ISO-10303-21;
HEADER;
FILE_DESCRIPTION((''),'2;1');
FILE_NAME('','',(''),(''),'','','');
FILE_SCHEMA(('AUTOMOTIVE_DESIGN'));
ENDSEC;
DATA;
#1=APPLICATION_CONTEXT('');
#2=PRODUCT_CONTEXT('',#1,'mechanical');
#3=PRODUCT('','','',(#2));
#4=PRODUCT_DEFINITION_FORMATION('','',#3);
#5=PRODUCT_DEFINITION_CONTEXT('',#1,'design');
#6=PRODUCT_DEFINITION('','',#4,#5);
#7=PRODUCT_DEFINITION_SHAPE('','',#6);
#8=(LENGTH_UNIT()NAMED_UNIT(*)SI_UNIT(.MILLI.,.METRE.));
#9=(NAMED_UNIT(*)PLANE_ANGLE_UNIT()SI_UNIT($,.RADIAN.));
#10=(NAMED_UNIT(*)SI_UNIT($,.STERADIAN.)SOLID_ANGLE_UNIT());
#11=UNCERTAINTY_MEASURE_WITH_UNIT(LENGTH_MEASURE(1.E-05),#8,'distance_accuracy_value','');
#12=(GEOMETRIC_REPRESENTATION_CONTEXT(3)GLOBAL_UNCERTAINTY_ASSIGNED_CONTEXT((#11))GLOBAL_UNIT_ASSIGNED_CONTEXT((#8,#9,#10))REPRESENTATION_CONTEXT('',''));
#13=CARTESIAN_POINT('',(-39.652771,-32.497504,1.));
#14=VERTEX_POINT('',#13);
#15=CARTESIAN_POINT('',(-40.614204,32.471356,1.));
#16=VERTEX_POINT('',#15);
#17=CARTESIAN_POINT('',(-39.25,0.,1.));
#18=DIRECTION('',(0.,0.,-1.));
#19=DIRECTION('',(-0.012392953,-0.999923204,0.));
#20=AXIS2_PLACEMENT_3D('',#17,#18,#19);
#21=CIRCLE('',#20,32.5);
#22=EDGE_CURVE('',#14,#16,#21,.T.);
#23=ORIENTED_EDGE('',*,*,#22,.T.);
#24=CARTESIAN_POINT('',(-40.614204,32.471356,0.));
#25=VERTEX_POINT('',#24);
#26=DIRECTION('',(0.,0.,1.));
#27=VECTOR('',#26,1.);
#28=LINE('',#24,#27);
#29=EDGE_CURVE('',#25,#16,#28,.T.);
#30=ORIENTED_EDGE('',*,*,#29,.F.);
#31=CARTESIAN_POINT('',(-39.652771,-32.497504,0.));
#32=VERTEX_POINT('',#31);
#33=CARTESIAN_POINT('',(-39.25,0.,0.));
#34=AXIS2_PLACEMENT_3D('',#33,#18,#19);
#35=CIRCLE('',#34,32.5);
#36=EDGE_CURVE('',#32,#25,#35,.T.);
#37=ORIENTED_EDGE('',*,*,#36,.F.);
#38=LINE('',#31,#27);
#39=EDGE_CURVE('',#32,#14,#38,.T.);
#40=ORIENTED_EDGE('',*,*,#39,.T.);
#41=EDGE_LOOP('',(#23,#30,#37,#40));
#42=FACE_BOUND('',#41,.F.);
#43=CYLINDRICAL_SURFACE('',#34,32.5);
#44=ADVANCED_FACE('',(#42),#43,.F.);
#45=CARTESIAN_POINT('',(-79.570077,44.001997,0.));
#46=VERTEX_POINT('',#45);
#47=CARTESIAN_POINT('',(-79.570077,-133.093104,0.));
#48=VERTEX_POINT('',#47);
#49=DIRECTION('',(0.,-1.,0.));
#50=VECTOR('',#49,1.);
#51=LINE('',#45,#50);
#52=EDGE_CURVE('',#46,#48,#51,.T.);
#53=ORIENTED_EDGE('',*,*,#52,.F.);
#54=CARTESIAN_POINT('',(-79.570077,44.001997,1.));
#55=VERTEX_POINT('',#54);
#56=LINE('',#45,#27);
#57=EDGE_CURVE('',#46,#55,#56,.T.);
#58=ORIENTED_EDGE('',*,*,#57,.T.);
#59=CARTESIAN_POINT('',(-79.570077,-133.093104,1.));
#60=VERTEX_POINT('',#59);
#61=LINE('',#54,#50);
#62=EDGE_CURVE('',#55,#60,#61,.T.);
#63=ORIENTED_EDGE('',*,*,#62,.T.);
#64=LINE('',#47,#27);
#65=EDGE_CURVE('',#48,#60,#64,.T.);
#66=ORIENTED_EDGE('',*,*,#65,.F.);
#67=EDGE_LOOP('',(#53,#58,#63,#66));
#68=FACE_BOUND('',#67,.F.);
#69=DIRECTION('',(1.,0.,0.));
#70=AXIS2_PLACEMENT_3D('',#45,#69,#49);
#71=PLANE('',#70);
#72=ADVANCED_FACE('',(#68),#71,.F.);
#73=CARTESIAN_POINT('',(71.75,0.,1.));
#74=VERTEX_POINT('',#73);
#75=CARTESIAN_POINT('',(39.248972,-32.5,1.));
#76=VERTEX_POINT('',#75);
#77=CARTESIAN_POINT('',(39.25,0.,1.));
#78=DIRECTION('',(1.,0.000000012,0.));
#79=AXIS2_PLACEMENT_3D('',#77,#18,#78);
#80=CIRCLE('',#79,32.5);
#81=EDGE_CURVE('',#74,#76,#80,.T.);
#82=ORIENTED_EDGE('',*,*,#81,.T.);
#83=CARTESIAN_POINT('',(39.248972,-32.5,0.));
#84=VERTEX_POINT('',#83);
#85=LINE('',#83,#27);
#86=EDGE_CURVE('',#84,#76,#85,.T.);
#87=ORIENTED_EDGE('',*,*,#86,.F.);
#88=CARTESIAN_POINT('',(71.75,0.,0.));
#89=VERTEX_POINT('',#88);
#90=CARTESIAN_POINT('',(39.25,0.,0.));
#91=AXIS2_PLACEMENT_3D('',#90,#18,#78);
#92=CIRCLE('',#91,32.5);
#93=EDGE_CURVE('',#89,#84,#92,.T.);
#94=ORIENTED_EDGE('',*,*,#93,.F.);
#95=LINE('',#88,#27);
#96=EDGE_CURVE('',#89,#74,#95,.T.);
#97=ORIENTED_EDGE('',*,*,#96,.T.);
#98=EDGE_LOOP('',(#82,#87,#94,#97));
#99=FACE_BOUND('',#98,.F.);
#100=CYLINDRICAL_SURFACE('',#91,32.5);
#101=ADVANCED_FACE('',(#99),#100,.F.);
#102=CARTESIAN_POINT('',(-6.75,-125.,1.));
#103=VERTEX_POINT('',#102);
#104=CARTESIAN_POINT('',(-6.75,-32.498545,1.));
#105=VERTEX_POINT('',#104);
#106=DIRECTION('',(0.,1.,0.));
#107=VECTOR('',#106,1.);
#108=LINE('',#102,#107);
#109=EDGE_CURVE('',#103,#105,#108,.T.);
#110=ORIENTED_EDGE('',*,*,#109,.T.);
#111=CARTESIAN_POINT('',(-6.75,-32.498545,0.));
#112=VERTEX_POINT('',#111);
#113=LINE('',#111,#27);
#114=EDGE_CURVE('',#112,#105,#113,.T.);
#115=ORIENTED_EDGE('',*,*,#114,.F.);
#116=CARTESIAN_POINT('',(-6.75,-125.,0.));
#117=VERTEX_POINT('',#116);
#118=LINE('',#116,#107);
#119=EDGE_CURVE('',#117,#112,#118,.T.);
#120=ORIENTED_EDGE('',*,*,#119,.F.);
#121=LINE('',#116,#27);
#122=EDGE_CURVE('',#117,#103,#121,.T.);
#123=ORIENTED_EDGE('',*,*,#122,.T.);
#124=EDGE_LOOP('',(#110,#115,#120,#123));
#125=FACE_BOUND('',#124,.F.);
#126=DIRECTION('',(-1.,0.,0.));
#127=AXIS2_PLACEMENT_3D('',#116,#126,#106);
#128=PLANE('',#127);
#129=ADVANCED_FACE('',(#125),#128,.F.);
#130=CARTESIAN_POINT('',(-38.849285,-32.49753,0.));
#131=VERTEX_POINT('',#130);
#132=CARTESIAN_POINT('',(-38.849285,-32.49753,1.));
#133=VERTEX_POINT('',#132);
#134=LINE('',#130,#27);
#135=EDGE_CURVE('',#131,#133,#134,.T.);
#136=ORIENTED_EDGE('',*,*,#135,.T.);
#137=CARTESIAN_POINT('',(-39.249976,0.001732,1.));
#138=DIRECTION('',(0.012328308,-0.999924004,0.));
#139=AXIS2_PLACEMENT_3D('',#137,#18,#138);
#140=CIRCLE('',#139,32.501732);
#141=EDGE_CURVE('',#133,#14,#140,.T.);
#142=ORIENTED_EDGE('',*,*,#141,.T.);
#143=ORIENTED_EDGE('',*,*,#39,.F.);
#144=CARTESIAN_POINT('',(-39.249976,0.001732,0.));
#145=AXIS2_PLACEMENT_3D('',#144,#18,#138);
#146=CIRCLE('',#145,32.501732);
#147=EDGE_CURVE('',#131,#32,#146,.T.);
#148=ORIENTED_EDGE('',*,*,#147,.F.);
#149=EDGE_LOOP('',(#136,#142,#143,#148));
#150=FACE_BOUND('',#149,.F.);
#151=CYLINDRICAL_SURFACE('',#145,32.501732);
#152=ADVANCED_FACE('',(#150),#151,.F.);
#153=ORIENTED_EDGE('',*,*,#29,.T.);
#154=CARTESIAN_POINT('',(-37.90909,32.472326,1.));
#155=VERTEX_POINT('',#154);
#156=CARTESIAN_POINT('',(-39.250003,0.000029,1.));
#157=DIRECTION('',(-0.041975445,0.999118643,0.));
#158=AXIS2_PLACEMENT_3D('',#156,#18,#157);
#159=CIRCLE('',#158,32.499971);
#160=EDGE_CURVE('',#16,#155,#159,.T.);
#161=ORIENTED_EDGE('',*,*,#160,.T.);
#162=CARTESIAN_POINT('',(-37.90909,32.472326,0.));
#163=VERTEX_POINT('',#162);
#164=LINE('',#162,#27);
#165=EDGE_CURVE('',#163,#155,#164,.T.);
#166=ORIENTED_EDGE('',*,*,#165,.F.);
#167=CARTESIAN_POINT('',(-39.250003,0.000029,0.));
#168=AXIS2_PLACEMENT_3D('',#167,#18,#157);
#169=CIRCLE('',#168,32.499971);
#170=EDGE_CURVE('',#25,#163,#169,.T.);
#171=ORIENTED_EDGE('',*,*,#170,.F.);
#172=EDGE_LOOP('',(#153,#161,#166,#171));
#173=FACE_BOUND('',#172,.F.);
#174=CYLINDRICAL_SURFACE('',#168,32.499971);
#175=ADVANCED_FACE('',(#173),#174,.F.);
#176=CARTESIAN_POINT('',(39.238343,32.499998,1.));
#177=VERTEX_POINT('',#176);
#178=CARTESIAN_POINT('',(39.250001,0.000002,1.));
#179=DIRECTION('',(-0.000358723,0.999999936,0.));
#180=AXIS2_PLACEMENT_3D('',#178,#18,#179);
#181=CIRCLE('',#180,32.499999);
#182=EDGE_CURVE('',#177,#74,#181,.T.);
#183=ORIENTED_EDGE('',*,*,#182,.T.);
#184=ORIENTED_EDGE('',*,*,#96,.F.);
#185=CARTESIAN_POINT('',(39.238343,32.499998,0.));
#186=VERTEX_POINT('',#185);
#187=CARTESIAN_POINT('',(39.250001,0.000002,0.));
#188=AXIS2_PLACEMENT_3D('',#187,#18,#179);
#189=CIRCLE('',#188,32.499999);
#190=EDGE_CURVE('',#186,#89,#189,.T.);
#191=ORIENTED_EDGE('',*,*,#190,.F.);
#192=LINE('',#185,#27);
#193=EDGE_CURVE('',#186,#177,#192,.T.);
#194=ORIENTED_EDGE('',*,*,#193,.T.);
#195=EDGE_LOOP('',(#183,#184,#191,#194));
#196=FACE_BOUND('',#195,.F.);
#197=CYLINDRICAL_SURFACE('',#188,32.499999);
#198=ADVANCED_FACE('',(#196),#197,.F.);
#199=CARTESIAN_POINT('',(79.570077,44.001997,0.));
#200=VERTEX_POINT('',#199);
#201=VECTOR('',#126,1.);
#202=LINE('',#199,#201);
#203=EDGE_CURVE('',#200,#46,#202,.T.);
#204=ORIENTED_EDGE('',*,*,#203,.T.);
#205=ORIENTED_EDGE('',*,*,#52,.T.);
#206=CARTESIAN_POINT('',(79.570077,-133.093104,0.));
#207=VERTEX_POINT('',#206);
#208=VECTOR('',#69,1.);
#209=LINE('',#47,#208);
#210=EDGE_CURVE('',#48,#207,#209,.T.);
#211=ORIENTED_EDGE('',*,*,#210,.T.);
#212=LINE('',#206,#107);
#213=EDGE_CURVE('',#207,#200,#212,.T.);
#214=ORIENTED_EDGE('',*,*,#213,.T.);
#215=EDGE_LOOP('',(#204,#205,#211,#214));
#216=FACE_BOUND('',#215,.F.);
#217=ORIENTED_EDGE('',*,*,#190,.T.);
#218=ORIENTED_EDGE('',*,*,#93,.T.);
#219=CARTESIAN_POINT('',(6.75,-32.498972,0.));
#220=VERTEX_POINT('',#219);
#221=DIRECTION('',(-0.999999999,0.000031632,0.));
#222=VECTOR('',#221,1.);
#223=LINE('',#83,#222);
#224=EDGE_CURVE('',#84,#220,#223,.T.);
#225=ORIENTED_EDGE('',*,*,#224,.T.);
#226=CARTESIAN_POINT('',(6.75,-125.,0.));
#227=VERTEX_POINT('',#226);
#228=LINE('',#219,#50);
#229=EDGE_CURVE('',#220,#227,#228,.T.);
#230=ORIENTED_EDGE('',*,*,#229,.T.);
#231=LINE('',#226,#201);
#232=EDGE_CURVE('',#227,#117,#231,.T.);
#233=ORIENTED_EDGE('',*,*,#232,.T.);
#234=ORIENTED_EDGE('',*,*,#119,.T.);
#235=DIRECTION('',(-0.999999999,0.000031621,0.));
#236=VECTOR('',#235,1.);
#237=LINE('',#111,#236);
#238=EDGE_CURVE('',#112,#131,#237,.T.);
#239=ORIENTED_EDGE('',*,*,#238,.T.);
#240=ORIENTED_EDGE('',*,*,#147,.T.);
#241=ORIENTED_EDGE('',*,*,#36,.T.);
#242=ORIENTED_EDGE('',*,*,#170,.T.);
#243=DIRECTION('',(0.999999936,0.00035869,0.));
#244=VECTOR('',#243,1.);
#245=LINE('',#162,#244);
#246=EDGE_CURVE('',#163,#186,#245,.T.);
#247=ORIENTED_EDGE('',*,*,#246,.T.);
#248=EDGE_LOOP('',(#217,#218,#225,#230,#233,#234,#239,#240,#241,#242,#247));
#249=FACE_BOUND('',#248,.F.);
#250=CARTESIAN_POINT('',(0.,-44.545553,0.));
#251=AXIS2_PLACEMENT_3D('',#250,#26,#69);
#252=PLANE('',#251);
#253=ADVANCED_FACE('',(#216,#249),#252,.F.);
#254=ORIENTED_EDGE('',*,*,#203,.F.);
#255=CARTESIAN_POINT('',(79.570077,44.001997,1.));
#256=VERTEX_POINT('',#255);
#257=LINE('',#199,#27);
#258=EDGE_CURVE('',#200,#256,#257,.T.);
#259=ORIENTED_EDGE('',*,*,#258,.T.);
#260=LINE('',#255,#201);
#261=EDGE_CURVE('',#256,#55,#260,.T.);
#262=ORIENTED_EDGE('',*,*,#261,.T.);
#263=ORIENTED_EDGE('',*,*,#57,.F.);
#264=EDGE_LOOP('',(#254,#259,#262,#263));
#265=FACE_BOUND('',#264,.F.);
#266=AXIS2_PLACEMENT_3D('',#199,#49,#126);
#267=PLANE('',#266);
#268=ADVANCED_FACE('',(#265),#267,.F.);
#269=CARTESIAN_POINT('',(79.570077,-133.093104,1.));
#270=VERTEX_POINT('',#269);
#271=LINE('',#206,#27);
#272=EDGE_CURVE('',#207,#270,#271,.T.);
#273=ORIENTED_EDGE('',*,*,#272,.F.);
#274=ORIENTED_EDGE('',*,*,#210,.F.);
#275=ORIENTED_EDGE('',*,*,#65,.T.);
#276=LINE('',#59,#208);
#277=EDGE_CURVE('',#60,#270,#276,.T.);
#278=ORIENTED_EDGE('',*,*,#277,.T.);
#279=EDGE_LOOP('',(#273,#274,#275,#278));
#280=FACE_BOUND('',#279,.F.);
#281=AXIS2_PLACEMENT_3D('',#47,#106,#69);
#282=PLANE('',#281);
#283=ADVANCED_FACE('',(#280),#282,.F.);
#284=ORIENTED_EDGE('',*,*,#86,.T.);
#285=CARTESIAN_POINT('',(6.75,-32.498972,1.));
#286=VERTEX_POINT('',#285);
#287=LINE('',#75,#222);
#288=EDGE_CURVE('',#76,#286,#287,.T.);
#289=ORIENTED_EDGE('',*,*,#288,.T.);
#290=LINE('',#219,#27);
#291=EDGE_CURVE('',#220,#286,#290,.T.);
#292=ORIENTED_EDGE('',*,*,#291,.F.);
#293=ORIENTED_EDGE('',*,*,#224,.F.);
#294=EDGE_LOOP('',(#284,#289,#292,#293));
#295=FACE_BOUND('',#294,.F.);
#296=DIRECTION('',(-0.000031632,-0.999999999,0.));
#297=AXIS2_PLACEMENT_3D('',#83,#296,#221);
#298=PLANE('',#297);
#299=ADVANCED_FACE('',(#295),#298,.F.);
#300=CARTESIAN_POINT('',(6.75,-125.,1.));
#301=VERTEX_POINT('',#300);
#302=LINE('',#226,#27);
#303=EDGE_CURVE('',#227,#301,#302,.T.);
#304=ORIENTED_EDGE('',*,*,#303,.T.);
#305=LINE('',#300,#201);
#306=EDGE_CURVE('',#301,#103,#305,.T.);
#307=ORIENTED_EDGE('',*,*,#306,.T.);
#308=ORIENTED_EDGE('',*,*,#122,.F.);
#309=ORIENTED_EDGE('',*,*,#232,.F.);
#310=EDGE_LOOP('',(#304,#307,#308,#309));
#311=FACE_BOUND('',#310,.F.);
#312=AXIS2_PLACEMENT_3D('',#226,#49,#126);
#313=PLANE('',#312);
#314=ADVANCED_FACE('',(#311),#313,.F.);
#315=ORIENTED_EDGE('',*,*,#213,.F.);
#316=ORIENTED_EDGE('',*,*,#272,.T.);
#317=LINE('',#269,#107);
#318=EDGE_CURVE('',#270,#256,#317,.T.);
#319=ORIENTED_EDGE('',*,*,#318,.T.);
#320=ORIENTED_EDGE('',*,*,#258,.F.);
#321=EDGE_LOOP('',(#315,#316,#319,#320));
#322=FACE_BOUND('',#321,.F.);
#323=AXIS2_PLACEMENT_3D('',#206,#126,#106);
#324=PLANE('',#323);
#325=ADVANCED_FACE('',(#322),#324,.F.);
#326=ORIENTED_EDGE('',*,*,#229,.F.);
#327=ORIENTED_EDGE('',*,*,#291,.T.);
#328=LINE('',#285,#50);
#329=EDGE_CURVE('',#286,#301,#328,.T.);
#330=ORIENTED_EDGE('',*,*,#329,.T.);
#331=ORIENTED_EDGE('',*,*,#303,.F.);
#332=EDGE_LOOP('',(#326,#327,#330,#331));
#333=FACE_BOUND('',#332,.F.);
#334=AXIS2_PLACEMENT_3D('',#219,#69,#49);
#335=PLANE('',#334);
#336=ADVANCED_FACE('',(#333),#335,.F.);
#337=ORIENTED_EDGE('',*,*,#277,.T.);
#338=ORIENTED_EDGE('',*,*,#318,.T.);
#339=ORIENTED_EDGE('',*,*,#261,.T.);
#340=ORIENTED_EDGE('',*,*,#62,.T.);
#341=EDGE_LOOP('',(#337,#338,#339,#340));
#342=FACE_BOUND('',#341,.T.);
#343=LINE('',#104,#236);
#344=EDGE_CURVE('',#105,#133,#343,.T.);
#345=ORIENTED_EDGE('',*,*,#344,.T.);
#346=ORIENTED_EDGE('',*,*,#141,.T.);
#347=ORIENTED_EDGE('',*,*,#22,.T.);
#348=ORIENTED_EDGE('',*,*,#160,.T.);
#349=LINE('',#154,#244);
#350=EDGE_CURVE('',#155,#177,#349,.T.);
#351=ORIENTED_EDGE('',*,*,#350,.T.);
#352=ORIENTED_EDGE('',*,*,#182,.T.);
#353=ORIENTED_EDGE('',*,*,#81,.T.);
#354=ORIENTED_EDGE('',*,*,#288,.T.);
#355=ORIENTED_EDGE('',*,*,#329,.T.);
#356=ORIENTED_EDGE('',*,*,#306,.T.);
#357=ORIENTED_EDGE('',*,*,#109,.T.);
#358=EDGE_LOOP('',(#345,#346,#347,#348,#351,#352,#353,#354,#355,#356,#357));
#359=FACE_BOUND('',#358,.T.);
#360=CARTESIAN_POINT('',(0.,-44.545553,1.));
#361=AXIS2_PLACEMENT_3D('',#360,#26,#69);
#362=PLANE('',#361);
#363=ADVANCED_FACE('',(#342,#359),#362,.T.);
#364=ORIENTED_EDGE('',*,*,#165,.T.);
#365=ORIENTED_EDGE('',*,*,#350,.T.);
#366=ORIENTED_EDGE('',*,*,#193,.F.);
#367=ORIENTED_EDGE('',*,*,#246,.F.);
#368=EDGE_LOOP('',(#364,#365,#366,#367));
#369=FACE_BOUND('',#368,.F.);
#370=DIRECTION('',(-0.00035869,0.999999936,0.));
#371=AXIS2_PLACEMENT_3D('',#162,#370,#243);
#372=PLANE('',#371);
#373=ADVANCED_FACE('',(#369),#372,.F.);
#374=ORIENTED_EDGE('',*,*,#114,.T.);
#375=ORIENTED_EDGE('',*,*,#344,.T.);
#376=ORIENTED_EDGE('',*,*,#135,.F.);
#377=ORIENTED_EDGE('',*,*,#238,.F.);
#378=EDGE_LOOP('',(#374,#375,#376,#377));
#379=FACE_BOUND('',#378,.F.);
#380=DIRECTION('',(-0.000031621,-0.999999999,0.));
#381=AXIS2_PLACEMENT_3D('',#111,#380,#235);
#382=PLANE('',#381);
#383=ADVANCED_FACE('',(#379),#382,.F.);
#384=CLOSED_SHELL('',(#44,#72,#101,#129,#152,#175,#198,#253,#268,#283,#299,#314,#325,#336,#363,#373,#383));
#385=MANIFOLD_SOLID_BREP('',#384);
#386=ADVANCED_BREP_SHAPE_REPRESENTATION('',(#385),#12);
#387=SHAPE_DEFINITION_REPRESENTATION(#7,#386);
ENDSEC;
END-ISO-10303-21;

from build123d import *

# Parameters (mm, degrees)
F1_DEPTH = 1


with BuildPart() as f1:
    # F0 (on Top) → F1 (new body)
    with BuildSketch(Plane.XY):
        Polygon((79.570077, 44.001997), (0, 44.001997), (-79.570077, 44.001997), (-79.570077, -133.093104), (0, -133.093104), (79.570077, -133.093104), align=None)
        with BuildLine():
            Line((-37.90909, 32.472326), (39.238343, 32.499998))
            ThreePointArc((39.238343, 32.499998), (62.226849, 22.985092), (71.75, 0))
            ThreePointArc((71.75, 0), (62.230607, -22.981334), (39.248972, -32.5))
            Line((39.248972, -32.5), (6.75, -32.498972))
            Line((6.75, -32.498972), (6.75, -125))
            Line((6.75, -125), (-6.75, -125))
            Line((-6.75, -125), (-6.75, -32.498545))
            Line((-6.75, -32.498545), (-38.849285, -32.49753))
            ThreePointArc((-38.849285, -32.49753), (-39.251028, -32.5), (-39.652771, -32.497504))
            ThreePointArc((-39.652771, -32.497504), (-71.746442, -0.480895), (-40.614204, 32.471356))
            ThreePointArc((-40.614204, 32.471356), (-39.261657, 32.499998), (-37.90909, 32.472326))
        make_face(mode=Mode.SUBTRACT)
    extrude(amount=F1_DEPTH)


solid = f1.part
